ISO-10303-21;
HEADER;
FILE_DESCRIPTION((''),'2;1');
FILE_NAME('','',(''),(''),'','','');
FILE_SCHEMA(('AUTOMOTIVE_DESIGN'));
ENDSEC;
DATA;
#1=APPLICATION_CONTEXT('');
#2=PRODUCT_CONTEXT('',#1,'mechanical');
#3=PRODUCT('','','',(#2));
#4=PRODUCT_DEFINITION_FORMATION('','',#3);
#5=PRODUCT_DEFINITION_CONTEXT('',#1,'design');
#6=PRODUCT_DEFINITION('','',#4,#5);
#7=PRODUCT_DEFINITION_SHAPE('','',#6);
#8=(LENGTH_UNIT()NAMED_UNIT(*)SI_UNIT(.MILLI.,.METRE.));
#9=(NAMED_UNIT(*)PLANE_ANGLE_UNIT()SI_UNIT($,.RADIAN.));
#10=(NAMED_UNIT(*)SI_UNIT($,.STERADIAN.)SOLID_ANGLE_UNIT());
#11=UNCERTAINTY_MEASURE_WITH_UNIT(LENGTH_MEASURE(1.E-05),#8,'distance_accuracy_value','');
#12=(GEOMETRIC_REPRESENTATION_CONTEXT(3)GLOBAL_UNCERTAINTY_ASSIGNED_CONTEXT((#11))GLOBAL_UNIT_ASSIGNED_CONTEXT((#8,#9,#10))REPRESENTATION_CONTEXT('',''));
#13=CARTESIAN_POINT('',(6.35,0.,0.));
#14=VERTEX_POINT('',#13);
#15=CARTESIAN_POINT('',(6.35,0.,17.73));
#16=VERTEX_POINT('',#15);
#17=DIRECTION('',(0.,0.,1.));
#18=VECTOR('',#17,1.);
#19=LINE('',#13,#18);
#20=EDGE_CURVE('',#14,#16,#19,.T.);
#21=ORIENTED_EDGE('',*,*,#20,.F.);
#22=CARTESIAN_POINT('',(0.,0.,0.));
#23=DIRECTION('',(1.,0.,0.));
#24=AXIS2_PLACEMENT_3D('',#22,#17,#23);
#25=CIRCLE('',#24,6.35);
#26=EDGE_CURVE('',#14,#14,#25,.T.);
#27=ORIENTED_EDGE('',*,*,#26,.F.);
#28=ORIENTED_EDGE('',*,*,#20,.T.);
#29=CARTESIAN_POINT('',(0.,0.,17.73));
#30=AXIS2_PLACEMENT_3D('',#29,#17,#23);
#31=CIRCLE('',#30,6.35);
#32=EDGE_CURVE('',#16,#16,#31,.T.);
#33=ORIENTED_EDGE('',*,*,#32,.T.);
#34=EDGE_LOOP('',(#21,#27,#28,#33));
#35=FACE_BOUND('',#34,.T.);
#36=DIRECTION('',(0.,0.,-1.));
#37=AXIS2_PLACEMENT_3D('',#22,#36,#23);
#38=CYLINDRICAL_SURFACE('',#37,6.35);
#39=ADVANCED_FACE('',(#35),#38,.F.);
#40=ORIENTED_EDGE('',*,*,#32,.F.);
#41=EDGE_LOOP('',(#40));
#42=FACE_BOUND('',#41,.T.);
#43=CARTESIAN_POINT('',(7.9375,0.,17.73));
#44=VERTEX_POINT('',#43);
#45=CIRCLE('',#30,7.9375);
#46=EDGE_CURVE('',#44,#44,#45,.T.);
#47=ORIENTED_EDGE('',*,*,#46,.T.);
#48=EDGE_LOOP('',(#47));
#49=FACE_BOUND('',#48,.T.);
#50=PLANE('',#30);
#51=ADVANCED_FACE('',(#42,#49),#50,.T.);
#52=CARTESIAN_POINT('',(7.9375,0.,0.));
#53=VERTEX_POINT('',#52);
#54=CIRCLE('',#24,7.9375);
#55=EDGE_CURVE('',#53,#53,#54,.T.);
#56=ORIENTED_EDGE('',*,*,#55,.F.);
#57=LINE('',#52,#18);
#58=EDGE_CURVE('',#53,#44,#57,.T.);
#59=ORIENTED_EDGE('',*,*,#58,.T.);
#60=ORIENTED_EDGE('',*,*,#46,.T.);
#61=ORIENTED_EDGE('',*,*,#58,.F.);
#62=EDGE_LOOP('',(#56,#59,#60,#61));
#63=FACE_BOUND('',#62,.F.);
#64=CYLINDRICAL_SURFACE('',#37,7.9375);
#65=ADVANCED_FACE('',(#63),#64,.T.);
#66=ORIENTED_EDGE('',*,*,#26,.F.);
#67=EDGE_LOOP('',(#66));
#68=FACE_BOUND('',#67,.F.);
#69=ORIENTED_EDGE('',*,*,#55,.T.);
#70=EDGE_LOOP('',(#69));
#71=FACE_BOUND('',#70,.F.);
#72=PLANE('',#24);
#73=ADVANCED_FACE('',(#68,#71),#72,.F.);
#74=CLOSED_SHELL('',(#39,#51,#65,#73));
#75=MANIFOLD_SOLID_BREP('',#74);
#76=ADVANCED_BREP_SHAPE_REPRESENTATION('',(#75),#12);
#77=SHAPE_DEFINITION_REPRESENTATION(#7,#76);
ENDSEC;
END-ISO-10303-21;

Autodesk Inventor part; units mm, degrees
ref_plane "YZ Plane" through (0, 0, 0) normal (1, 0, 0) x (0, 1, 0)
ref_plane "XZ Plane" through (0, 0, 0) normal (0, 1, 0) x (-1, 0, 0)
ref_plane "XY Plane" through (0, 0, 0) normal (0, 0, 1) x (1, 0, 0)
sketch "Sketch1" plane through (0, 0, 0) normal (0, 0, 1) x (1, 0, 0)
  circle A0 centre (0, 0) radius 7.9375
  circle A1 centre (0, 0) radius 6.35
  dimension "d0" = 15.875
  dimension "d1" = 12.7
extrude "Extrusion1" add sketch "Sketch1" along normal blind 17.73
properties part number "Shaft Spacer Part1" material "Aluminum 6061"
